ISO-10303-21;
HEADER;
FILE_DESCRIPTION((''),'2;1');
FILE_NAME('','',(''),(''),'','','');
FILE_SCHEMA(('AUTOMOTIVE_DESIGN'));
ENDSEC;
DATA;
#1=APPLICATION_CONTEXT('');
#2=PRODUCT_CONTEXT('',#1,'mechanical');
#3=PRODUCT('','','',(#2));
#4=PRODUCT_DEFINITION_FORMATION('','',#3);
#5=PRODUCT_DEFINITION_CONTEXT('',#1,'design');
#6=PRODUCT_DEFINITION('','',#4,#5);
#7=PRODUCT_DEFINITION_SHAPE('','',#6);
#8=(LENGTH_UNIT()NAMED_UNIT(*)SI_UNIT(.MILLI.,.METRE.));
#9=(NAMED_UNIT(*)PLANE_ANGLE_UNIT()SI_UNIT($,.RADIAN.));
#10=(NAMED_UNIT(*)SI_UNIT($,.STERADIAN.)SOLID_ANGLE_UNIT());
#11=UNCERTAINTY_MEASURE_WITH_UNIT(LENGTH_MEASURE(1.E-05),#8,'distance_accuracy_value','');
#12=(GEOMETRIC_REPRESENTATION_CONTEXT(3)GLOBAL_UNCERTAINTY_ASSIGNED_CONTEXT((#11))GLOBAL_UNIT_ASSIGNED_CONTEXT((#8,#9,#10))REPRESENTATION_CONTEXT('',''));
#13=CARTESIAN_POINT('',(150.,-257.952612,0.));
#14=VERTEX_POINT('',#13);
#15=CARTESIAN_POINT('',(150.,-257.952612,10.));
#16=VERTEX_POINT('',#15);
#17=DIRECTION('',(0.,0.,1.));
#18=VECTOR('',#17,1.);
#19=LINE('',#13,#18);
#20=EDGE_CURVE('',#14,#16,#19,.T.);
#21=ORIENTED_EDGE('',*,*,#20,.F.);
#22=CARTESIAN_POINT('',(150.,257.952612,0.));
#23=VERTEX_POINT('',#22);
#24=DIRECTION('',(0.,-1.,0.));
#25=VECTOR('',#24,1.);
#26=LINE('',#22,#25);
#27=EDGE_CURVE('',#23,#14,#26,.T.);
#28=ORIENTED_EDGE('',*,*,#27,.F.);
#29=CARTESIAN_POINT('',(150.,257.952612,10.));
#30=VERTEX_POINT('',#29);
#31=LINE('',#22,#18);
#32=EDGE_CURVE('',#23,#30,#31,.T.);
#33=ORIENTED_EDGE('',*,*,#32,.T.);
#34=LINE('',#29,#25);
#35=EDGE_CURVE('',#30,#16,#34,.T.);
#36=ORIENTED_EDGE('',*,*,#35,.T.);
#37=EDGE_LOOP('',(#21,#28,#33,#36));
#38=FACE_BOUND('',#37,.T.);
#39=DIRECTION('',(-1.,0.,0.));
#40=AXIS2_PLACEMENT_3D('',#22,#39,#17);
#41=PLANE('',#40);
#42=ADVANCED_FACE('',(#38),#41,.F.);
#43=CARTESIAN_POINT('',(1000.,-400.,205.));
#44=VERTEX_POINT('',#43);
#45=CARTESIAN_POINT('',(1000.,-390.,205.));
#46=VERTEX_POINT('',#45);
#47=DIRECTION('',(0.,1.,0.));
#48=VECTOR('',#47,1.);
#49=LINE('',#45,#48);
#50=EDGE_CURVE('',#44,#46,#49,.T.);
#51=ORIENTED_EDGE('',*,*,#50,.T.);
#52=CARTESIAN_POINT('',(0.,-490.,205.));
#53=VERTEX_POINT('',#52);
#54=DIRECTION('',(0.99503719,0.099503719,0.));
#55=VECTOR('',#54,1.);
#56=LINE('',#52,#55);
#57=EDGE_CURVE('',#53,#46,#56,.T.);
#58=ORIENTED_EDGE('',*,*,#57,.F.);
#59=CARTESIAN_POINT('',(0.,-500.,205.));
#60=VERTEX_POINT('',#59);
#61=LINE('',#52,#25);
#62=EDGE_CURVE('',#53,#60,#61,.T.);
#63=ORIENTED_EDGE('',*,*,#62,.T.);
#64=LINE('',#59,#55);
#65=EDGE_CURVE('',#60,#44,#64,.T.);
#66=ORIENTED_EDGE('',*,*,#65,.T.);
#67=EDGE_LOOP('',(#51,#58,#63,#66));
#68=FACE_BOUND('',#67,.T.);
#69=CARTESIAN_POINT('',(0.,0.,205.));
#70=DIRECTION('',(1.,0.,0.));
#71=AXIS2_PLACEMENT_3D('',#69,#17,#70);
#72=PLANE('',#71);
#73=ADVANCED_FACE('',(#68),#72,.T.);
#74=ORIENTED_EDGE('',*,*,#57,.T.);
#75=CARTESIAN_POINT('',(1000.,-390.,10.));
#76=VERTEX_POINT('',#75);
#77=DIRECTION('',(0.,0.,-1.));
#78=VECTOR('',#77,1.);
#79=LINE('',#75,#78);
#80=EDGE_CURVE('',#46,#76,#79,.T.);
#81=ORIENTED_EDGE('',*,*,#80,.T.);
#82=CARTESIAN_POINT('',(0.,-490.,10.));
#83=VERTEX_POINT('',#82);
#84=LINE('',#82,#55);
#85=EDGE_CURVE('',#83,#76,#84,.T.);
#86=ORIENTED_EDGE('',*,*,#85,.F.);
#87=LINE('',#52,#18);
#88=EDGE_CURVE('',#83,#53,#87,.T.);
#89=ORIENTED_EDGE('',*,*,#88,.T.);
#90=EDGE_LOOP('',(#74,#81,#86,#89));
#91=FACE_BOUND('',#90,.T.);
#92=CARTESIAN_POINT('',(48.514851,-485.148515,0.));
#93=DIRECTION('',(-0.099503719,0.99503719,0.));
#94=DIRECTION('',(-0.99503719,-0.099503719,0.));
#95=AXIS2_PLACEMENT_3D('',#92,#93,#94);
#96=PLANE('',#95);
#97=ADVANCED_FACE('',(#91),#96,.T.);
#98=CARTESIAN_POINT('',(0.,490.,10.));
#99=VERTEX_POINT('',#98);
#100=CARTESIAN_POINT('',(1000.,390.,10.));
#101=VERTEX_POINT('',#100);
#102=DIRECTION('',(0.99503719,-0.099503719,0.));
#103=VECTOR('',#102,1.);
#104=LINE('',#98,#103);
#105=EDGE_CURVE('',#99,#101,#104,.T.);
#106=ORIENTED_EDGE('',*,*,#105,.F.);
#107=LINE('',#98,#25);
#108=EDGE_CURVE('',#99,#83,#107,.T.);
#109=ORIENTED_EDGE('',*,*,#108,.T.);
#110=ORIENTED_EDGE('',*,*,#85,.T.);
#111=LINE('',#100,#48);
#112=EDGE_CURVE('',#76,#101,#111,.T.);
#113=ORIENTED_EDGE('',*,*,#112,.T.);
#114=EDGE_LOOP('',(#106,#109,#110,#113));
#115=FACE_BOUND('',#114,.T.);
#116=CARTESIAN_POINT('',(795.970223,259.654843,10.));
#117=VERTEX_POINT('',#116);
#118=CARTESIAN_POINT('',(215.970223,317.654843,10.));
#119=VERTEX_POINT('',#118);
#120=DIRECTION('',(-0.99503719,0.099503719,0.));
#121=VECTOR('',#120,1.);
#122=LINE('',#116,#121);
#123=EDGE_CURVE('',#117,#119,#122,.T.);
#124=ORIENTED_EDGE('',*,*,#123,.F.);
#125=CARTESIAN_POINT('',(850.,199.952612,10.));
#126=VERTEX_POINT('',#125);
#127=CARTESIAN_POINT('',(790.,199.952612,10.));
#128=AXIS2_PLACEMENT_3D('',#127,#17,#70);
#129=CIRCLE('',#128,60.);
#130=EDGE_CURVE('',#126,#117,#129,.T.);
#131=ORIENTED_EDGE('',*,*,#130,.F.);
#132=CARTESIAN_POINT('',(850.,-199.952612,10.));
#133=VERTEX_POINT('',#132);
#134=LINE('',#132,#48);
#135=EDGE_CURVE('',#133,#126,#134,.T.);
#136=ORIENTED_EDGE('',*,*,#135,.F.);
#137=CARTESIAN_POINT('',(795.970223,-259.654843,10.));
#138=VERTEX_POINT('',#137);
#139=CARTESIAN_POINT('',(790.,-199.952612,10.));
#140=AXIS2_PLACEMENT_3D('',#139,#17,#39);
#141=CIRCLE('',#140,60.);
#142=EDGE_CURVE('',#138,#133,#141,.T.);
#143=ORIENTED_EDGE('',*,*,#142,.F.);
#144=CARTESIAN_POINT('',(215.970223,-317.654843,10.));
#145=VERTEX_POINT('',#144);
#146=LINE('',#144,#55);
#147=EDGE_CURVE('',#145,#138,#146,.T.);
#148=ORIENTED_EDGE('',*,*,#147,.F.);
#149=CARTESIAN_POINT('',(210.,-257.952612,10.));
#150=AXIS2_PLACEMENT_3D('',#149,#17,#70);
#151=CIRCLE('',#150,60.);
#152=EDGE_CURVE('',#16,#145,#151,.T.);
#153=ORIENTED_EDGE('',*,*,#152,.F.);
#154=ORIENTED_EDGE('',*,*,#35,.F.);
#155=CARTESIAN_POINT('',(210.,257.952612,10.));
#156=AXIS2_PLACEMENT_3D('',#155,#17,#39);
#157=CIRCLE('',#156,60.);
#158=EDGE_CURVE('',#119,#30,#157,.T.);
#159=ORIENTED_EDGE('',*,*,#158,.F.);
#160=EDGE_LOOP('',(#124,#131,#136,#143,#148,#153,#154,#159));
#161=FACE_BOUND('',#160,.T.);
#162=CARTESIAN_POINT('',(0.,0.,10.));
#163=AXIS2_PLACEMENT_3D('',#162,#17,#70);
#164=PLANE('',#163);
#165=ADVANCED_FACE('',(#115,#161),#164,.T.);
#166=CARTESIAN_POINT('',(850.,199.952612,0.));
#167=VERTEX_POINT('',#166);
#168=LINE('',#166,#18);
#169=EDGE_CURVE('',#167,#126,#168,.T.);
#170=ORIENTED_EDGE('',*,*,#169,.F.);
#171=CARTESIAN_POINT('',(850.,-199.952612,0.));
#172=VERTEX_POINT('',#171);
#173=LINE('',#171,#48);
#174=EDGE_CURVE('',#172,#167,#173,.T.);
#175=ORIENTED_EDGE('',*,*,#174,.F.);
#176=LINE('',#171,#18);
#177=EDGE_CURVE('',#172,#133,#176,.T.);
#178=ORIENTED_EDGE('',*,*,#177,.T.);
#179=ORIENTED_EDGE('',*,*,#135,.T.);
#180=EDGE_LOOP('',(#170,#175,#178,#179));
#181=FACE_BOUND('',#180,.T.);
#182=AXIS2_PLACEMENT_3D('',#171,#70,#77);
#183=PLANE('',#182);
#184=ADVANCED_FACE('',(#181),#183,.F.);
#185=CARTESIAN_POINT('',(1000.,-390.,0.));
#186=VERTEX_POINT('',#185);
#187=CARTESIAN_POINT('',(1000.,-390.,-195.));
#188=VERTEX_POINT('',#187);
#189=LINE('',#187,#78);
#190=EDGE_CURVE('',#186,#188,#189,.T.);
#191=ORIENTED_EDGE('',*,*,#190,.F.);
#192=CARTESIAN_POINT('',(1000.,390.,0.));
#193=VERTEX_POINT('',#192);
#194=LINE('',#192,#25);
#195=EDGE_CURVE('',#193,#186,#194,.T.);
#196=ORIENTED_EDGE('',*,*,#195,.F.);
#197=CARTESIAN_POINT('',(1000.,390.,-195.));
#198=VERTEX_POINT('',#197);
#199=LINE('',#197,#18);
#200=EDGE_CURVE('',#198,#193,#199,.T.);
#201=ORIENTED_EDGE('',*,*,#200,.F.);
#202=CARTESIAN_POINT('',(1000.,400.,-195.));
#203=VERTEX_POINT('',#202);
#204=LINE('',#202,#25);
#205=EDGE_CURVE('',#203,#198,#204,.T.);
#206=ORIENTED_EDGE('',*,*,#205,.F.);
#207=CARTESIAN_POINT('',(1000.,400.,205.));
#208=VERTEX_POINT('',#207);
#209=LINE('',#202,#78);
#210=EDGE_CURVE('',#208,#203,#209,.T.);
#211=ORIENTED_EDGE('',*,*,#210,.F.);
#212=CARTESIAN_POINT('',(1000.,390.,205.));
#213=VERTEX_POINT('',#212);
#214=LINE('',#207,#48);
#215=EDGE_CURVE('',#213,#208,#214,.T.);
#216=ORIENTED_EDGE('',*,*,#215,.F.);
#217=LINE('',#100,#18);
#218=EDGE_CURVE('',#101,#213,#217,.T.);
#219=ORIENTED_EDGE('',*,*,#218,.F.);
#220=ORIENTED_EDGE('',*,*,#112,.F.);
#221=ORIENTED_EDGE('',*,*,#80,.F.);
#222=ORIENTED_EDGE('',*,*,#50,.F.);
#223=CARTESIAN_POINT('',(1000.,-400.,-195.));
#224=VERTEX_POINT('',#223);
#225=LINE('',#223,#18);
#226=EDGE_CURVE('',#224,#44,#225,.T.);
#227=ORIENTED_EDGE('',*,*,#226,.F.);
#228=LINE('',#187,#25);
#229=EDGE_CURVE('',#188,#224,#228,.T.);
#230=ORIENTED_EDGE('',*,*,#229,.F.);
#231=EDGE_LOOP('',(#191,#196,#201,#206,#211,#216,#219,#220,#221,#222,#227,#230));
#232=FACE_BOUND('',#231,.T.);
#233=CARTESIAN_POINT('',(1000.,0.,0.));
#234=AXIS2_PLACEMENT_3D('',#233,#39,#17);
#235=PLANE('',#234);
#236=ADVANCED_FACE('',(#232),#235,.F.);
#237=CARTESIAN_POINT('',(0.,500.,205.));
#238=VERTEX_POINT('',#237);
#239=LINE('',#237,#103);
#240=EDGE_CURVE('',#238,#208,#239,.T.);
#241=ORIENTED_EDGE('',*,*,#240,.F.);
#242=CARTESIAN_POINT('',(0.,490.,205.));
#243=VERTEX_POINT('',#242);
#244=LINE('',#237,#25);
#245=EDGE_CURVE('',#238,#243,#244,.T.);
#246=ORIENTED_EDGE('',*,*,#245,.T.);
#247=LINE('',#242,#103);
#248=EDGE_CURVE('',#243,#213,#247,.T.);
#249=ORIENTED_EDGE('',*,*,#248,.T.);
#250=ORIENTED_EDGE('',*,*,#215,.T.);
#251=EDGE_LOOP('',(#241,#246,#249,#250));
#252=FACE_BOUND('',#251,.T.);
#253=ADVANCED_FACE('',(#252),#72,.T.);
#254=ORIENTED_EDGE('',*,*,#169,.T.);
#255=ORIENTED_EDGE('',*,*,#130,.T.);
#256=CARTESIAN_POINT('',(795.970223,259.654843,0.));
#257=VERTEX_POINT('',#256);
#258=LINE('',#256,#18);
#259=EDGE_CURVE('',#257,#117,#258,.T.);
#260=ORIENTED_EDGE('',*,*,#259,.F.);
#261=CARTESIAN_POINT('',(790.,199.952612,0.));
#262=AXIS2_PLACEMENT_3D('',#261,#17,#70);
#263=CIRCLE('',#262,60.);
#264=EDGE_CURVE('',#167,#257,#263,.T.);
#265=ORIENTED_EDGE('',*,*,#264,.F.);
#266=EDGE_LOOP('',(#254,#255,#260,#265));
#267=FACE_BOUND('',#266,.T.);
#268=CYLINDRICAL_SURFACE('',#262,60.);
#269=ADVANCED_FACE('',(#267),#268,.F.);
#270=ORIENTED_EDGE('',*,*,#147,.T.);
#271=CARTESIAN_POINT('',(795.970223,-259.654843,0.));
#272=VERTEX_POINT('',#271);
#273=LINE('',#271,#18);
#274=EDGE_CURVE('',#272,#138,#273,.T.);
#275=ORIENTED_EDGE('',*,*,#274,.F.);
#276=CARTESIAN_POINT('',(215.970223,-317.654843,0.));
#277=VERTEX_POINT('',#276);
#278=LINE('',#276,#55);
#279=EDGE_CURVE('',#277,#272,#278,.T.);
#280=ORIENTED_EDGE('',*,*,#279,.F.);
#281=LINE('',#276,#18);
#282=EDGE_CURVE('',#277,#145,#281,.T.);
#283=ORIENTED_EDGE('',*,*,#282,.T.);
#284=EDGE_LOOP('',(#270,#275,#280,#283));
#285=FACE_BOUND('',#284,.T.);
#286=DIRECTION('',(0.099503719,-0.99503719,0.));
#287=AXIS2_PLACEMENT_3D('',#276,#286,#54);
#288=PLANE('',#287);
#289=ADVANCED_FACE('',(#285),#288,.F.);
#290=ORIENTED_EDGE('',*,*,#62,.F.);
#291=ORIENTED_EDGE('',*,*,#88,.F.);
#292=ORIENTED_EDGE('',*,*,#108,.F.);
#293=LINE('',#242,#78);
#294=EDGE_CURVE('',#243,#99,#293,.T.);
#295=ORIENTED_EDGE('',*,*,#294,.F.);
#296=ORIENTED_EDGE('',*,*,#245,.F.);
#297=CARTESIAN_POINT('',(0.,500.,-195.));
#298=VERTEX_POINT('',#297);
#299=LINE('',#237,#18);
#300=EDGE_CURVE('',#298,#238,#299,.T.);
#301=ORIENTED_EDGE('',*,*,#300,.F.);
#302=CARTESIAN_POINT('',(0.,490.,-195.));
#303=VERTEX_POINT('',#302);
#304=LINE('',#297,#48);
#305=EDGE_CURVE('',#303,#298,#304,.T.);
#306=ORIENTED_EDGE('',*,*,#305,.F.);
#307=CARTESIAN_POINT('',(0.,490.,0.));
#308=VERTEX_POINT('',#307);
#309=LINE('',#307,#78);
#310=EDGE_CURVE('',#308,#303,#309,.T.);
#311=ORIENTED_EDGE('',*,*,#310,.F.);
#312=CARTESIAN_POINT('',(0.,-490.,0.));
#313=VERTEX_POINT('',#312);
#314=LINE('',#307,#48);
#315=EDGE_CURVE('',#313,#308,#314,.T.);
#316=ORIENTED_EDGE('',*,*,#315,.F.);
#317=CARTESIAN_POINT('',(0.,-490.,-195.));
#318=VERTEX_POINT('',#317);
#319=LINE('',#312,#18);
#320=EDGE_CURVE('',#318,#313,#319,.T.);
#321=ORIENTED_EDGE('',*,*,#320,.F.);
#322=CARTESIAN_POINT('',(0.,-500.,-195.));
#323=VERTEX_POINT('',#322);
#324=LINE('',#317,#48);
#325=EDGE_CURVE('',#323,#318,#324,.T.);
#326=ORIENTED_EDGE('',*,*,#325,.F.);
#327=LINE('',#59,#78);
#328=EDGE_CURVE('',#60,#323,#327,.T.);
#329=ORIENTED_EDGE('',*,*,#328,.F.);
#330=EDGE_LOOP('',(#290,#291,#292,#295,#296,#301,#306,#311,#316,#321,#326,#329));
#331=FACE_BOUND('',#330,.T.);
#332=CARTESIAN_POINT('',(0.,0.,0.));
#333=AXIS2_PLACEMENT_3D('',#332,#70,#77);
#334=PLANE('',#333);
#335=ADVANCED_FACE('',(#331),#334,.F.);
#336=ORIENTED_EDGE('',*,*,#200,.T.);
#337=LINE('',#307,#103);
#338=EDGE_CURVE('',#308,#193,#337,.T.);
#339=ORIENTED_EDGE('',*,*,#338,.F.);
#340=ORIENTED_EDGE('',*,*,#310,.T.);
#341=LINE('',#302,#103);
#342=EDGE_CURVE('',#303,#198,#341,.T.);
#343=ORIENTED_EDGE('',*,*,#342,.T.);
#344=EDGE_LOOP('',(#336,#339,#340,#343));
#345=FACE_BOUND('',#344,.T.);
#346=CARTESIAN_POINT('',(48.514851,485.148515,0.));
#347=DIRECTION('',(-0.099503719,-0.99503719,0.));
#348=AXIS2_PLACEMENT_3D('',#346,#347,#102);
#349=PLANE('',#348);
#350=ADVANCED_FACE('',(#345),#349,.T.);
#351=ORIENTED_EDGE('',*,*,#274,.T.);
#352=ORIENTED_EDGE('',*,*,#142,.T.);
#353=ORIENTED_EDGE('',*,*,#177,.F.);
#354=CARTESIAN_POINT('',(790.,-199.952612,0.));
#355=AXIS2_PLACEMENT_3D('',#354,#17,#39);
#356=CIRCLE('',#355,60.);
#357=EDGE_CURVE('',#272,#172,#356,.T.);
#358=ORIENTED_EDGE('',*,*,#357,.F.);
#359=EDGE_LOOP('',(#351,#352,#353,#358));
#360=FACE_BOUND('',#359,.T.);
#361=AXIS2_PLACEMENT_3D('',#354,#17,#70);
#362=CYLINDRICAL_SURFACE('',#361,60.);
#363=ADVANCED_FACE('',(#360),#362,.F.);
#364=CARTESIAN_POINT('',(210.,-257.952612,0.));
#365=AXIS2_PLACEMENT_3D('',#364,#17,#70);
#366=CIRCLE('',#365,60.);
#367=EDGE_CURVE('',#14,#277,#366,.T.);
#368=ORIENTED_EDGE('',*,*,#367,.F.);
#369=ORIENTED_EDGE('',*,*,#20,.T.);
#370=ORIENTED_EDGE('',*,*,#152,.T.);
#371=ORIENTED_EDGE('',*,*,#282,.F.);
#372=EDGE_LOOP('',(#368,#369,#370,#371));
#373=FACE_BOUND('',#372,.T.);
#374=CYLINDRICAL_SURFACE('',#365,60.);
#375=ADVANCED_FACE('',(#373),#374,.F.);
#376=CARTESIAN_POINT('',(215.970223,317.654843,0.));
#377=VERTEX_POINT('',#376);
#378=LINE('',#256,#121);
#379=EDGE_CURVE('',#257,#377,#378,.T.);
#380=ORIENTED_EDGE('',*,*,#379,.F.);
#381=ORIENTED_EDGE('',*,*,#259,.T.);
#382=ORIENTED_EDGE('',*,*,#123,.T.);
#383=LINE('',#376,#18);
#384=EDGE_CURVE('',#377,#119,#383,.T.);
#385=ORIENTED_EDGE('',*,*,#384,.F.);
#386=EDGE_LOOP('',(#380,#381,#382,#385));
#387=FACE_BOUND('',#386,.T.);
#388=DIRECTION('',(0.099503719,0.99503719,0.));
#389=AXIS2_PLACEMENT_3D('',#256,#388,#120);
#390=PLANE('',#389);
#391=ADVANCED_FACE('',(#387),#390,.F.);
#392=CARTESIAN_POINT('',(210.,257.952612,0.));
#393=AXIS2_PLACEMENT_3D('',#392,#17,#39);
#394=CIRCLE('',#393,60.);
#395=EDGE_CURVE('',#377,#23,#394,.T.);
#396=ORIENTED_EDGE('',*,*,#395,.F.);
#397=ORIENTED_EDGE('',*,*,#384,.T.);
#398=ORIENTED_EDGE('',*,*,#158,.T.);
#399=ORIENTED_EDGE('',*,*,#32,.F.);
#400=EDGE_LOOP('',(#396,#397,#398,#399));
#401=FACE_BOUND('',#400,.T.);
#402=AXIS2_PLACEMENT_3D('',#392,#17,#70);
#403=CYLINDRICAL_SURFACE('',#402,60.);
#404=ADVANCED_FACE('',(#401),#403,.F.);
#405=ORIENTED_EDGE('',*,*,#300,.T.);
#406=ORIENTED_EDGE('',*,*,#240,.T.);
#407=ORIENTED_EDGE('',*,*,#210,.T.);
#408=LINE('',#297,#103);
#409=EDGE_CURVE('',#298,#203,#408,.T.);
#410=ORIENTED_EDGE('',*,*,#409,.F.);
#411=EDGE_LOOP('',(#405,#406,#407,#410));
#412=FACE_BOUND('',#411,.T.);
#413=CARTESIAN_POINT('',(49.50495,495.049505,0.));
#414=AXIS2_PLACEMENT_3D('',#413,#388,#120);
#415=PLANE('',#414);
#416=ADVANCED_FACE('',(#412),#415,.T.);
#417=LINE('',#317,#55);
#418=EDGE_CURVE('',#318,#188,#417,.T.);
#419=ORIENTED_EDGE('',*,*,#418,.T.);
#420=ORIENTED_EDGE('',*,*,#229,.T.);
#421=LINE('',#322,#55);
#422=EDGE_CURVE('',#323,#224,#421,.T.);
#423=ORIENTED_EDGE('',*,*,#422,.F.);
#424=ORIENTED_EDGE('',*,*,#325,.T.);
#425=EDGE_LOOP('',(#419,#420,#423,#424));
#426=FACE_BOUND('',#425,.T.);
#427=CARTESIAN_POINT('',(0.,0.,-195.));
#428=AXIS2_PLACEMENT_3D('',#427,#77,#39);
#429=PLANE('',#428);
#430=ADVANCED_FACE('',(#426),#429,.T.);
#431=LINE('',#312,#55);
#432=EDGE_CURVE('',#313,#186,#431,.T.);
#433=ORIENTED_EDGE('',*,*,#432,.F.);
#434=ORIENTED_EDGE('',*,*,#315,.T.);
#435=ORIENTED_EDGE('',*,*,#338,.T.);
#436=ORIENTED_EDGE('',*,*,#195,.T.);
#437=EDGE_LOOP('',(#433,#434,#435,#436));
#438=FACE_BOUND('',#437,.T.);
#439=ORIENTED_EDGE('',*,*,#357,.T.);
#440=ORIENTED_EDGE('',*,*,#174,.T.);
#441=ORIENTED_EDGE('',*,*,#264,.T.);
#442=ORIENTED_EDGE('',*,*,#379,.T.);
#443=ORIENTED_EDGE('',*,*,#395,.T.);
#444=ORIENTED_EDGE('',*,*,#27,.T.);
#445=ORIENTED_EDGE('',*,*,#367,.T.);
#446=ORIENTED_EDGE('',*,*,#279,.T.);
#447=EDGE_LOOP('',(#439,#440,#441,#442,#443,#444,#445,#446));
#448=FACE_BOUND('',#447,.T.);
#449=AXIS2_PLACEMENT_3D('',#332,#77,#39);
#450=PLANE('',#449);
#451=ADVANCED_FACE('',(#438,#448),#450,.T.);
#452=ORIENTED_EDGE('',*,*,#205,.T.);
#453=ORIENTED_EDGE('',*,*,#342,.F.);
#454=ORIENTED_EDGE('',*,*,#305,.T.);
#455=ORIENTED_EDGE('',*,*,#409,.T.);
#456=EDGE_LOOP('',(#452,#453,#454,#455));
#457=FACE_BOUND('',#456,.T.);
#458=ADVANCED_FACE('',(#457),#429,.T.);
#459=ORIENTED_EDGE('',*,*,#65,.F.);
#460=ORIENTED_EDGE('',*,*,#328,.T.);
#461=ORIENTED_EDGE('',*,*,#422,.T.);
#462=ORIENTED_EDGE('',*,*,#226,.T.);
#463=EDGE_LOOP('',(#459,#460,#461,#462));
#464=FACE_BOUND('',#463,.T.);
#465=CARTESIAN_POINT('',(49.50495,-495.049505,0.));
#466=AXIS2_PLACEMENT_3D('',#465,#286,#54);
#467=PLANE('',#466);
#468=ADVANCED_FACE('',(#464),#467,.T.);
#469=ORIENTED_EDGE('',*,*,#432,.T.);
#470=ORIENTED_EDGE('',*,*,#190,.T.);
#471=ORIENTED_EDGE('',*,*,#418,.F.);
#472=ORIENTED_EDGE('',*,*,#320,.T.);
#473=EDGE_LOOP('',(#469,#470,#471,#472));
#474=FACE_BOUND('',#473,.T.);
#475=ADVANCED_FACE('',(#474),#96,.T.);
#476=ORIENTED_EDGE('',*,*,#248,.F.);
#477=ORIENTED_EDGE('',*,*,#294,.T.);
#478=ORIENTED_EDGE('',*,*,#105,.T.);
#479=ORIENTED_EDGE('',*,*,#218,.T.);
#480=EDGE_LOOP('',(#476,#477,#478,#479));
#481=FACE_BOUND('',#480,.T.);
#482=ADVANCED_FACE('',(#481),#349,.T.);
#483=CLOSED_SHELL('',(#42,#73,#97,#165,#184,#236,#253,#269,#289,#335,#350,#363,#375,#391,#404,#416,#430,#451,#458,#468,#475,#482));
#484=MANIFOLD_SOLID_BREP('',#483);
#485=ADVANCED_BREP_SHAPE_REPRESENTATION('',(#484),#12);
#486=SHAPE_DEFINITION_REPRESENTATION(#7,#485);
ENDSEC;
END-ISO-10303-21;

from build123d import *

# Parameters (mm, degrees)
CUT_EXTRUDE1_DEPTH = 10


with BuildPart() as part:
    # Sketch1 → Loft4 section 0
    with BuildSketch(Plane(origin=(0, 0, 0), x_dir=(0, 0, -1), z_dir=(1, 0, 0))):
        Polygon((-205, 500), (195, 500), (195, 490), (0, 490), (0, -490), (195, -490), (195, -500), (-205, -500), (-205, -490), (-10, -490), (-10, 490), (-205, 490), align=None)
    # Sketch4 → Loft4 section 1
    with BuildSketch(Plane(origin=(1000, 0, -1000), x_dir=(0, 0, 1), z_dir=(-1, 0, 0))):
        Polygon((805, 400), (1205, 400), (1205, 390), (1010, 390), (1010, -390), (1205, -390), (1205, -400), (805, -400), (805, -390), (1000, -390), (1000, 390), (805, 390), align=None)
    loft()

    # Sketch6 → Cut-Extrude1 (cut)
    with BuildSketch(Plane.XY.offset(10)):
        with BuildLine():
            Line((215.970223141, -317.654843369), (795.970223141, -259.654843369))
            ThreePointArc((795.970223141, -259.654843369), (834.487152013, -240.212931202), (850, -199.952611956))
            Line((850, -199.952611956), (850, 199.952611956))
            ThreePointArc((850, 199.952611956), (834.487152013, 240.212931202), (795.970223141, 259.654843369))
            Line((795.970223141, 259.654843369), (215.970223141, 317.654843369))
            ThreePointArc((215.970223141, 317.654843369), (169.739680754, 302.43976397), (150, 257.952611956))
            Line((150, 257.952611956), (150, -257.952611956))
            ThreePointArc((150, -257.952611956), (169.739680754, -302.43976397), (215.970223141, -317.654843369))
        make_face()
    extrude(amount=-CUT_EXTRUDE1_DEPTH, mode=Mode.SUBTRACT)


solid = part.part
